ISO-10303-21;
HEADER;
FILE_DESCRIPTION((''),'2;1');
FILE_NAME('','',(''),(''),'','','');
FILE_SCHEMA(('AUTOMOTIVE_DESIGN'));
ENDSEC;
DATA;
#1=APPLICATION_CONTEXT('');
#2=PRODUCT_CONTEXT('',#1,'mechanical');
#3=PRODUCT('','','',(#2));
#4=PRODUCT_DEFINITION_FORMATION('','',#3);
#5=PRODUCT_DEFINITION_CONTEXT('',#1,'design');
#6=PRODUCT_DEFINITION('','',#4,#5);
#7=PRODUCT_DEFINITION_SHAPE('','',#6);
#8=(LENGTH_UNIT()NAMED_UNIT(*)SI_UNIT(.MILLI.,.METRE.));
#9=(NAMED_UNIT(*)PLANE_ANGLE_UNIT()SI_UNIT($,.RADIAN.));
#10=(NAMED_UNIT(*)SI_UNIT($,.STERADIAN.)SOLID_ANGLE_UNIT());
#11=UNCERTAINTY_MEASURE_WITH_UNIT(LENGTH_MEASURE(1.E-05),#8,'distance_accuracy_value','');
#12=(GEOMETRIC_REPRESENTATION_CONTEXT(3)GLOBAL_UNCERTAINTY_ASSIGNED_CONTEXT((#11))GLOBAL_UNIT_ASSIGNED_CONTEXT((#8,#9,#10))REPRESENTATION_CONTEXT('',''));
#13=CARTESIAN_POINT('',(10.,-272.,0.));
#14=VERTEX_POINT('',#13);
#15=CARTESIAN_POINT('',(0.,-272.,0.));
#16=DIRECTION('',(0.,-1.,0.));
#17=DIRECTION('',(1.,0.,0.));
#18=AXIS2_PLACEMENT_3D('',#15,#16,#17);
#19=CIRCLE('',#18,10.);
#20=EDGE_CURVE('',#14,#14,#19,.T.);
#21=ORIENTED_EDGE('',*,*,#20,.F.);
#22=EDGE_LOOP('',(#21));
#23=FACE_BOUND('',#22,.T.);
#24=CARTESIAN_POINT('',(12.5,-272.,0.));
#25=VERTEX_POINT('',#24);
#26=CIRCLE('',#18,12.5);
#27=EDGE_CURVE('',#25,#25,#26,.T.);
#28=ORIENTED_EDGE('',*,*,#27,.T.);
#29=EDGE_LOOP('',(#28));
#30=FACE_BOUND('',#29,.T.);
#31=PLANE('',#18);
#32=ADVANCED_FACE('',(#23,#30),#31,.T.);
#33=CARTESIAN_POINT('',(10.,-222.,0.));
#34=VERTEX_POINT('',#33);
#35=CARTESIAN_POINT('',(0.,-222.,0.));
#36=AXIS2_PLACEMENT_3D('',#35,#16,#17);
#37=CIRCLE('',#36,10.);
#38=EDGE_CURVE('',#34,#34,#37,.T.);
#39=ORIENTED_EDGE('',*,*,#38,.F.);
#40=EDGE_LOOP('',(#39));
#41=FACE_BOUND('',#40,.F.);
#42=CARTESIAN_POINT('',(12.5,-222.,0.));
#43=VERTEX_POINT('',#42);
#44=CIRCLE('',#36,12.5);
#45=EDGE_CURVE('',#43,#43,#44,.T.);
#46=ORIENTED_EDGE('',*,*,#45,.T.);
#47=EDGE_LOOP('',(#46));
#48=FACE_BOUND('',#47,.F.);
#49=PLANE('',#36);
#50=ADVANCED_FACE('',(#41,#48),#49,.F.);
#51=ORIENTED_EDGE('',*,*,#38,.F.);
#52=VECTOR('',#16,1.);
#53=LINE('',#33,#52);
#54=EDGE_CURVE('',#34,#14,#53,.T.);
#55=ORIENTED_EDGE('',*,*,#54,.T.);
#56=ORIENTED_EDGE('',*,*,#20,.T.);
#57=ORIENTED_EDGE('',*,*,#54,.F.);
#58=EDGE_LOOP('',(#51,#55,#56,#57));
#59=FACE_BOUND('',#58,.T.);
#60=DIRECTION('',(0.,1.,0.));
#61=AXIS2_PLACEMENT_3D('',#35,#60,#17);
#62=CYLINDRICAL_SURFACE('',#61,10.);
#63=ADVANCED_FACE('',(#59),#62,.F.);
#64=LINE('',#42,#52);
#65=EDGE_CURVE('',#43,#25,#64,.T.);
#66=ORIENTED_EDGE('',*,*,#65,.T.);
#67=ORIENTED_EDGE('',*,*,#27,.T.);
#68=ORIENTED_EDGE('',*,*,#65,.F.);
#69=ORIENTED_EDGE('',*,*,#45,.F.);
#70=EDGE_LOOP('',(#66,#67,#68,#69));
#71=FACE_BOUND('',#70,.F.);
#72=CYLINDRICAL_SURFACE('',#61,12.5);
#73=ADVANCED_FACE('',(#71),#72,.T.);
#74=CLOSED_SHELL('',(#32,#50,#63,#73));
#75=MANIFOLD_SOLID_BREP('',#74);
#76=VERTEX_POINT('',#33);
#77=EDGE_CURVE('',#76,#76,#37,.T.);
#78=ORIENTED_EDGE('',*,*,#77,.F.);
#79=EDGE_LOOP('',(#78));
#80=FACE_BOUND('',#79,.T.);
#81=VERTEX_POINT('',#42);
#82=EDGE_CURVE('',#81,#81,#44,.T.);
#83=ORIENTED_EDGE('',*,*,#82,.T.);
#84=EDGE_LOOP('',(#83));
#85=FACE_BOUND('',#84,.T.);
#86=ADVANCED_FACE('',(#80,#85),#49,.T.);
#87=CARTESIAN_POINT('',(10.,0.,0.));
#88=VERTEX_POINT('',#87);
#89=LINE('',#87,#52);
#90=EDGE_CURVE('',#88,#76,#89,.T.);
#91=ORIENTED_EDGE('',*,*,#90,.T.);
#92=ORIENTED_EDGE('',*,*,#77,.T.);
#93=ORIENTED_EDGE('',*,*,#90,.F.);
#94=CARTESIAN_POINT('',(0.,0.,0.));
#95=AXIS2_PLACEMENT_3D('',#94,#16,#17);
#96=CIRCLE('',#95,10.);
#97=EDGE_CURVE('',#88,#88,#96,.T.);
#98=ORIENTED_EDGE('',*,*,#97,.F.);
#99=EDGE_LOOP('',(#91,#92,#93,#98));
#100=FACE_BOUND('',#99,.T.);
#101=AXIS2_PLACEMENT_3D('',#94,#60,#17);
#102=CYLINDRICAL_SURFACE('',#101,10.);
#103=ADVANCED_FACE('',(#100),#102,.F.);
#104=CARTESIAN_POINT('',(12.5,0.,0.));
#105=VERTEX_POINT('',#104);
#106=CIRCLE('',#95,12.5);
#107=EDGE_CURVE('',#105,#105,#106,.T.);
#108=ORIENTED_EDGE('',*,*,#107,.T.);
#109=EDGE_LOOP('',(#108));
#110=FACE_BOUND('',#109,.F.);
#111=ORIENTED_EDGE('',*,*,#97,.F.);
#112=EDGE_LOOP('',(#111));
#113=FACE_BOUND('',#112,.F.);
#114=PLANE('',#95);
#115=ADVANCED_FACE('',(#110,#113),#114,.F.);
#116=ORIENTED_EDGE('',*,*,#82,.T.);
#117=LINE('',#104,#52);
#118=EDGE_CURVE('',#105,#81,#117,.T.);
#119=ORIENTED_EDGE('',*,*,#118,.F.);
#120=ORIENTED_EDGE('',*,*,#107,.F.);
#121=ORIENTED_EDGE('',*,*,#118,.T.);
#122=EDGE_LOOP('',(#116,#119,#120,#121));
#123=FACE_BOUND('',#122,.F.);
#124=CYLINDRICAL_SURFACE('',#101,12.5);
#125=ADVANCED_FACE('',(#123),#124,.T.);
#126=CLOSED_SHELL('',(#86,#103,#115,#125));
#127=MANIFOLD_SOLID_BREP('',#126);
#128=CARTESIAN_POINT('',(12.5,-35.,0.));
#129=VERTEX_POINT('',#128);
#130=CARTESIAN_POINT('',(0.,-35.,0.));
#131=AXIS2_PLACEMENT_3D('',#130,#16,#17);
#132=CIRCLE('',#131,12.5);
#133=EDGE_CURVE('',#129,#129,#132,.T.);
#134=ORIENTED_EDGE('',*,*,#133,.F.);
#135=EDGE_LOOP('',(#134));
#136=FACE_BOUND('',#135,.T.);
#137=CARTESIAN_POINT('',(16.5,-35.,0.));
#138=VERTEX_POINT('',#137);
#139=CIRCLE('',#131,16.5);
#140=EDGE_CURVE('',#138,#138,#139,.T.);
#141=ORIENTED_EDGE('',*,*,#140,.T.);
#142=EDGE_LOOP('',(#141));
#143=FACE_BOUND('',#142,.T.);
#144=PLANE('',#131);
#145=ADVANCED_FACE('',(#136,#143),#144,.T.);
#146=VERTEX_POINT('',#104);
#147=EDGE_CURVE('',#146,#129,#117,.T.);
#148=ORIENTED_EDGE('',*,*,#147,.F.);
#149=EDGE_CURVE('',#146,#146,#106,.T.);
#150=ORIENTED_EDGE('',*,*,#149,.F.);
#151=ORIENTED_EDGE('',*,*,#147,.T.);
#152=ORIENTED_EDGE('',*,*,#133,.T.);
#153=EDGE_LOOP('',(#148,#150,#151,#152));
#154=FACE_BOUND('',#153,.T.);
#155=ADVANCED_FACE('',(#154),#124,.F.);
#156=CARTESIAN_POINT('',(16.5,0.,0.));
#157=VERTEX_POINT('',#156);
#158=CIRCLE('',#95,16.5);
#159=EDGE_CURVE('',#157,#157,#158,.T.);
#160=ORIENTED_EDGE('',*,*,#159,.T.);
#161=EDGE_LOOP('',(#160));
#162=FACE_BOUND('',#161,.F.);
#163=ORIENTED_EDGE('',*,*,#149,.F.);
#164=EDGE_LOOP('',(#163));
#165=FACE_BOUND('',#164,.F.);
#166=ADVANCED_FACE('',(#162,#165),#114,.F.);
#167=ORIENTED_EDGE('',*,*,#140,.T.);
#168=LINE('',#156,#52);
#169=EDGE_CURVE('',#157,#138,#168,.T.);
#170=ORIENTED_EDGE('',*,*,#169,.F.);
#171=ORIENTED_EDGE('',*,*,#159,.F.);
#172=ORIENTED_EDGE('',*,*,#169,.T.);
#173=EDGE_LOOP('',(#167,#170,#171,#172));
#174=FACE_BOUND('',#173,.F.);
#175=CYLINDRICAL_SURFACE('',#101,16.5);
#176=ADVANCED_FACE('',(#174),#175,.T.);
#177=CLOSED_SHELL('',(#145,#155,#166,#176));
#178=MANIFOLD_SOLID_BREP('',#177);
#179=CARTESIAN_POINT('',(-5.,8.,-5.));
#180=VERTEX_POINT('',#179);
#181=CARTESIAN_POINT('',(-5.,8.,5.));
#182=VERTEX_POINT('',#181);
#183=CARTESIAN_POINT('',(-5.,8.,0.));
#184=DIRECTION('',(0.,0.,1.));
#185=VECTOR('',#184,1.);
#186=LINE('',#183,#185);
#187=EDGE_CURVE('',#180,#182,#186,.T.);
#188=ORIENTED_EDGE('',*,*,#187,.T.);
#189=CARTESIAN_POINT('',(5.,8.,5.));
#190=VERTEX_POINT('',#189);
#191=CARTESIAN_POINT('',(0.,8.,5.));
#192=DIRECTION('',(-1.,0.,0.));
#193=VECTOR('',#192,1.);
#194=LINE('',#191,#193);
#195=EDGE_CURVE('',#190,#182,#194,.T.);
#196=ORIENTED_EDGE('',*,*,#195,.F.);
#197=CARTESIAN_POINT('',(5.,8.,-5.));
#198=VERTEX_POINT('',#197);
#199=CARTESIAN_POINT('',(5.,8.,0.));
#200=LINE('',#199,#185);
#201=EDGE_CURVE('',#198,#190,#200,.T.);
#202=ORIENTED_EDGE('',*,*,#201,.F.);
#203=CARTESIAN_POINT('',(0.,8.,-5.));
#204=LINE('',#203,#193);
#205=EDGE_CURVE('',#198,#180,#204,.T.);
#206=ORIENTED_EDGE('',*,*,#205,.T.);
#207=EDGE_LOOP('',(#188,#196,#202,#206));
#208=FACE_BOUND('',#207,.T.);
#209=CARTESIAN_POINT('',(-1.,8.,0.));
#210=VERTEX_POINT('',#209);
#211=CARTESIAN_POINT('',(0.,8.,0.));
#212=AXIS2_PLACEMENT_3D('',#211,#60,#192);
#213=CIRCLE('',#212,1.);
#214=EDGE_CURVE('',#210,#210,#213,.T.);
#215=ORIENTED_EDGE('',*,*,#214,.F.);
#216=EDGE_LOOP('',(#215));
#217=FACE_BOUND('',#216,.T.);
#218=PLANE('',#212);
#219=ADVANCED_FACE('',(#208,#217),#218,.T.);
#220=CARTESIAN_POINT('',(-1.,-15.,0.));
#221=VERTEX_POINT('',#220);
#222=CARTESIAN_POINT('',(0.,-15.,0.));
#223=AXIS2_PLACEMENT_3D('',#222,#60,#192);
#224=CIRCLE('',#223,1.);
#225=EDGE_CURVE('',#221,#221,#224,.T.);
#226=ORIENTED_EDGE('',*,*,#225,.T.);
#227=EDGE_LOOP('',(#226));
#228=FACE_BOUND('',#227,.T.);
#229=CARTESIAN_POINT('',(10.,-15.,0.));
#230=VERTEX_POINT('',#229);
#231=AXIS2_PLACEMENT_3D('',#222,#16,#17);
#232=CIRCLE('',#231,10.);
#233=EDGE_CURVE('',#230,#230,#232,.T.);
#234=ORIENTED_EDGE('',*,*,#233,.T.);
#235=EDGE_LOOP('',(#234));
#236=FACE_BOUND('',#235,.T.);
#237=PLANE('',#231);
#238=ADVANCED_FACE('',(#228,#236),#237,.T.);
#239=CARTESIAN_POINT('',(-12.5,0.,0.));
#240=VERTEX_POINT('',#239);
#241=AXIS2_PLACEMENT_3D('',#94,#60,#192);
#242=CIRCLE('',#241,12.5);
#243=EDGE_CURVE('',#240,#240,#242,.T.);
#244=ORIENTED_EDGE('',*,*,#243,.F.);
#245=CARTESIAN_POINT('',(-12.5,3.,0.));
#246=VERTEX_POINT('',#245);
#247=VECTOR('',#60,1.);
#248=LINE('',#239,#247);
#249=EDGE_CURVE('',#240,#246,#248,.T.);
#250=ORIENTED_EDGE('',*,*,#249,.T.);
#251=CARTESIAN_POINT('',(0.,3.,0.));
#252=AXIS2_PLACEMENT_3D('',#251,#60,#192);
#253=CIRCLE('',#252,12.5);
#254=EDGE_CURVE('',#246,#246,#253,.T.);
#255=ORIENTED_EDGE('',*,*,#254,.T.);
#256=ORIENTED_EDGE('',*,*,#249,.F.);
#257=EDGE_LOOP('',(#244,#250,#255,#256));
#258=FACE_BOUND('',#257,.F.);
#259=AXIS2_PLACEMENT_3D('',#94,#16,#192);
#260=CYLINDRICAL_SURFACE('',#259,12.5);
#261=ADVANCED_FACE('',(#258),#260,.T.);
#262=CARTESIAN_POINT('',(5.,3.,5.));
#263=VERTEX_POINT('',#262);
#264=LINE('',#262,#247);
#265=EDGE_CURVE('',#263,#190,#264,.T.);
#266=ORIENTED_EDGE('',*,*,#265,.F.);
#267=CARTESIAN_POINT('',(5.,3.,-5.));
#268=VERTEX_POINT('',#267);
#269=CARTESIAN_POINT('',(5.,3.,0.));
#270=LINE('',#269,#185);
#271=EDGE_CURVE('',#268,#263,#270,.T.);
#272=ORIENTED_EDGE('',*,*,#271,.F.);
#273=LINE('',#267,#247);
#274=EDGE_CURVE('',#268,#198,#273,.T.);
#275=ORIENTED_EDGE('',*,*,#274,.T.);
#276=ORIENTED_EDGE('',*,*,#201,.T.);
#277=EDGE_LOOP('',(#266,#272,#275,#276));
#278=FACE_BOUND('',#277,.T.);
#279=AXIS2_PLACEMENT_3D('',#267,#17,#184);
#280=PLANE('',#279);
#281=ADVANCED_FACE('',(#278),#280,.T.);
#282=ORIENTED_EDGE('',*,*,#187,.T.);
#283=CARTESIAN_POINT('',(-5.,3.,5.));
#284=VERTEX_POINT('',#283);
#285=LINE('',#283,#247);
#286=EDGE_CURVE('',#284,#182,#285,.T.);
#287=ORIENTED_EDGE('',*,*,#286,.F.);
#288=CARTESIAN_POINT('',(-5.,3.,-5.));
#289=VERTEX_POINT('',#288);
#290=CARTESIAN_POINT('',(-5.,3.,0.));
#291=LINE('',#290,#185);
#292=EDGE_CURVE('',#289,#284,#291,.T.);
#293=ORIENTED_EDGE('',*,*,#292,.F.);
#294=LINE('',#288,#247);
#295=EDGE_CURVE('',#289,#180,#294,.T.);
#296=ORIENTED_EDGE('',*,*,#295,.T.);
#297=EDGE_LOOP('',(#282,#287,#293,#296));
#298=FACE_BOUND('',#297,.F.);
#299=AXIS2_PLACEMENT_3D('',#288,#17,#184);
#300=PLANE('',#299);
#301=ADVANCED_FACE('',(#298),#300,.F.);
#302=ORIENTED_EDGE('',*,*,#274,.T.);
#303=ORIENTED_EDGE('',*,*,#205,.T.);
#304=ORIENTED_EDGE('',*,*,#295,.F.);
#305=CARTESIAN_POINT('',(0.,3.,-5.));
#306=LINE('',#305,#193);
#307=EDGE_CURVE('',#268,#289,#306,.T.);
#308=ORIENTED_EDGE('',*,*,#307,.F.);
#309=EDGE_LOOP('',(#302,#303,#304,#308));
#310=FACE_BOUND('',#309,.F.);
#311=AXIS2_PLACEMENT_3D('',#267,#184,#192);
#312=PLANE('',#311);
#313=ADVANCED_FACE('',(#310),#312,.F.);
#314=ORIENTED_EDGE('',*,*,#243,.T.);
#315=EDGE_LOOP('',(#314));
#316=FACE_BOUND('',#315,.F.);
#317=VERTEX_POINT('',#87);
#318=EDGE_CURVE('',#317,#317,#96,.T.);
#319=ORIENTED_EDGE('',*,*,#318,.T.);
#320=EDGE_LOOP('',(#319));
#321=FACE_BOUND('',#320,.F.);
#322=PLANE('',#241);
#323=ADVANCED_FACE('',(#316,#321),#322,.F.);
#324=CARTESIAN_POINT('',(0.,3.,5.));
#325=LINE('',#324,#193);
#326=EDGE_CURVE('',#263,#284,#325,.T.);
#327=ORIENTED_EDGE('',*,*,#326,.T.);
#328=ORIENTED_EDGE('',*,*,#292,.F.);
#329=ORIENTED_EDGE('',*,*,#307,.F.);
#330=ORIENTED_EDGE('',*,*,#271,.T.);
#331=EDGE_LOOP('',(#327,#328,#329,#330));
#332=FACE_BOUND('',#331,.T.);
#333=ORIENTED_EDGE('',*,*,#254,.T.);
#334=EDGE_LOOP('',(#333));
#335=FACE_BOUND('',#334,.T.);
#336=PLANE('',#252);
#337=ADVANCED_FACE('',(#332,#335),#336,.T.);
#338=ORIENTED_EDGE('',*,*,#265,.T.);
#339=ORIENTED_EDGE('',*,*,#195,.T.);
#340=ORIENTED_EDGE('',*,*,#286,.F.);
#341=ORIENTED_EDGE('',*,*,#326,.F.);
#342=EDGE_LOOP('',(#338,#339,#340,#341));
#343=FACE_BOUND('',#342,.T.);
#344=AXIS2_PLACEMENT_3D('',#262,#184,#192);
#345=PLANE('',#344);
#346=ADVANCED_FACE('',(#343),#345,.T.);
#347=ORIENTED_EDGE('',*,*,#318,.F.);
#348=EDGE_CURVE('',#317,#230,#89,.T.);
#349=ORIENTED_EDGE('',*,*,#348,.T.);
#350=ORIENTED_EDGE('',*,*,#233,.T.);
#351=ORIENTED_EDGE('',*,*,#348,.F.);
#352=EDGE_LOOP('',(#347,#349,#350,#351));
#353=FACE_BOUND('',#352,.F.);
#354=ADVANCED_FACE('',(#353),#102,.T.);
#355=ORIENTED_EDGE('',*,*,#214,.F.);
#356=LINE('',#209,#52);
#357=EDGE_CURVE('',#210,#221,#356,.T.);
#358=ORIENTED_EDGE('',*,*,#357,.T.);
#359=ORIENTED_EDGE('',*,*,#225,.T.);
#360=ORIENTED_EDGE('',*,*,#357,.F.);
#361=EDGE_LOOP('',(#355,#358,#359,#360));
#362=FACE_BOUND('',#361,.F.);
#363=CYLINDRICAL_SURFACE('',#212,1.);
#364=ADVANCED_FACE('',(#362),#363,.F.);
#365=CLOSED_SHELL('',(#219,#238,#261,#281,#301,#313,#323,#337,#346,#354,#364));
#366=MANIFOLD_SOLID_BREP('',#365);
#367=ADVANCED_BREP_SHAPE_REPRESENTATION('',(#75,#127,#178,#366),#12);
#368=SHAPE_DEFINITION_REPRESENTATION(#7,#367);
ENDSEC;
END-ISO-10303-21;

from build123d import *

# Parameters (mm, degrees)
F0_R      = 12.5
F0_R_2    = 10
F1_DEPTH  = 222
F2_DEPTH  = 50
F3_R      = 16.5
F3_R_2    = 12.5
F4_DEPTH  = 35
F5_R      = 10
F6_DEPTH  = 15
F7_R      = 12.5
F8_DEPTH  = 3
F9_W      = 10
F9_H      = 10
F10_DEPTH = 5
F11_R     = 1
F12_DEPTH = 25


with BuildPart() as f1:
    # F0 (on Front) → F1 (new body)
    with BuildSketch(Plane.XZ):
        Circle(F0_R)
        Circle(F0_R_2, mode=Mode.SUBTRACT)
    extrude(amount=F1_DEPTH)


with BuildPart() as f2:
    # F2 (new): a face of the model
    f2_faces = [f1.part.faces().sort_by_distance(p)[0] for p in [
        (-12.1464466094, -222, 0),
    ]]
    extrude(f2_faces, amount=F2_DEPTH)


with BuildPart() as f4:
    # F3 (on Front) → F4 (new body)
    with BuildSketch(Plane.XZ):
        Circle(F3_R)
        Circle(F3_R_2, mode=Mode.SUBTRACT)
    extrude(amount=F4_DEPTH)


with BuildPart() as f6:
    # F5 (on Front) → F6 (new body)
    with BuildSketch(Plane.XZ):
        Circle(F5_R)
    extrude(amount=F6_DEPTH)

    # F7 (on face) → F8 (join)
    with BuildSketch(Plane(origin=(0, 0, 0), x_dir=(-1, 0, 0), z_dir=(0, 1, 0))):
        Circle(F7_R)
    extrude(amount=F8_DEPTH)

    # F9 (on face) → F10 (join)
    with BuildSketch(Plane(origin=(0, 3, 0), x_dir=(-1, 0, 0), z_dir=(0, 1, 0))):
        Rectangle(F9_W, F9_H)
    extrude(amount=F10_DEPTH)

    # F11 (on face) → F12 (cut)
    with BuildSketch(Plane(origin=(0, 8, 0), x_dir=(-1, 0, 0), z_dir=(0, 1, 0))):
        Circle(F11_R)
    extrude(amount=-F12_DEPTH, mode=Mode.SUBTRACT)


solid = Compound([f1.part, f2.part, f4.part, f6.part])
